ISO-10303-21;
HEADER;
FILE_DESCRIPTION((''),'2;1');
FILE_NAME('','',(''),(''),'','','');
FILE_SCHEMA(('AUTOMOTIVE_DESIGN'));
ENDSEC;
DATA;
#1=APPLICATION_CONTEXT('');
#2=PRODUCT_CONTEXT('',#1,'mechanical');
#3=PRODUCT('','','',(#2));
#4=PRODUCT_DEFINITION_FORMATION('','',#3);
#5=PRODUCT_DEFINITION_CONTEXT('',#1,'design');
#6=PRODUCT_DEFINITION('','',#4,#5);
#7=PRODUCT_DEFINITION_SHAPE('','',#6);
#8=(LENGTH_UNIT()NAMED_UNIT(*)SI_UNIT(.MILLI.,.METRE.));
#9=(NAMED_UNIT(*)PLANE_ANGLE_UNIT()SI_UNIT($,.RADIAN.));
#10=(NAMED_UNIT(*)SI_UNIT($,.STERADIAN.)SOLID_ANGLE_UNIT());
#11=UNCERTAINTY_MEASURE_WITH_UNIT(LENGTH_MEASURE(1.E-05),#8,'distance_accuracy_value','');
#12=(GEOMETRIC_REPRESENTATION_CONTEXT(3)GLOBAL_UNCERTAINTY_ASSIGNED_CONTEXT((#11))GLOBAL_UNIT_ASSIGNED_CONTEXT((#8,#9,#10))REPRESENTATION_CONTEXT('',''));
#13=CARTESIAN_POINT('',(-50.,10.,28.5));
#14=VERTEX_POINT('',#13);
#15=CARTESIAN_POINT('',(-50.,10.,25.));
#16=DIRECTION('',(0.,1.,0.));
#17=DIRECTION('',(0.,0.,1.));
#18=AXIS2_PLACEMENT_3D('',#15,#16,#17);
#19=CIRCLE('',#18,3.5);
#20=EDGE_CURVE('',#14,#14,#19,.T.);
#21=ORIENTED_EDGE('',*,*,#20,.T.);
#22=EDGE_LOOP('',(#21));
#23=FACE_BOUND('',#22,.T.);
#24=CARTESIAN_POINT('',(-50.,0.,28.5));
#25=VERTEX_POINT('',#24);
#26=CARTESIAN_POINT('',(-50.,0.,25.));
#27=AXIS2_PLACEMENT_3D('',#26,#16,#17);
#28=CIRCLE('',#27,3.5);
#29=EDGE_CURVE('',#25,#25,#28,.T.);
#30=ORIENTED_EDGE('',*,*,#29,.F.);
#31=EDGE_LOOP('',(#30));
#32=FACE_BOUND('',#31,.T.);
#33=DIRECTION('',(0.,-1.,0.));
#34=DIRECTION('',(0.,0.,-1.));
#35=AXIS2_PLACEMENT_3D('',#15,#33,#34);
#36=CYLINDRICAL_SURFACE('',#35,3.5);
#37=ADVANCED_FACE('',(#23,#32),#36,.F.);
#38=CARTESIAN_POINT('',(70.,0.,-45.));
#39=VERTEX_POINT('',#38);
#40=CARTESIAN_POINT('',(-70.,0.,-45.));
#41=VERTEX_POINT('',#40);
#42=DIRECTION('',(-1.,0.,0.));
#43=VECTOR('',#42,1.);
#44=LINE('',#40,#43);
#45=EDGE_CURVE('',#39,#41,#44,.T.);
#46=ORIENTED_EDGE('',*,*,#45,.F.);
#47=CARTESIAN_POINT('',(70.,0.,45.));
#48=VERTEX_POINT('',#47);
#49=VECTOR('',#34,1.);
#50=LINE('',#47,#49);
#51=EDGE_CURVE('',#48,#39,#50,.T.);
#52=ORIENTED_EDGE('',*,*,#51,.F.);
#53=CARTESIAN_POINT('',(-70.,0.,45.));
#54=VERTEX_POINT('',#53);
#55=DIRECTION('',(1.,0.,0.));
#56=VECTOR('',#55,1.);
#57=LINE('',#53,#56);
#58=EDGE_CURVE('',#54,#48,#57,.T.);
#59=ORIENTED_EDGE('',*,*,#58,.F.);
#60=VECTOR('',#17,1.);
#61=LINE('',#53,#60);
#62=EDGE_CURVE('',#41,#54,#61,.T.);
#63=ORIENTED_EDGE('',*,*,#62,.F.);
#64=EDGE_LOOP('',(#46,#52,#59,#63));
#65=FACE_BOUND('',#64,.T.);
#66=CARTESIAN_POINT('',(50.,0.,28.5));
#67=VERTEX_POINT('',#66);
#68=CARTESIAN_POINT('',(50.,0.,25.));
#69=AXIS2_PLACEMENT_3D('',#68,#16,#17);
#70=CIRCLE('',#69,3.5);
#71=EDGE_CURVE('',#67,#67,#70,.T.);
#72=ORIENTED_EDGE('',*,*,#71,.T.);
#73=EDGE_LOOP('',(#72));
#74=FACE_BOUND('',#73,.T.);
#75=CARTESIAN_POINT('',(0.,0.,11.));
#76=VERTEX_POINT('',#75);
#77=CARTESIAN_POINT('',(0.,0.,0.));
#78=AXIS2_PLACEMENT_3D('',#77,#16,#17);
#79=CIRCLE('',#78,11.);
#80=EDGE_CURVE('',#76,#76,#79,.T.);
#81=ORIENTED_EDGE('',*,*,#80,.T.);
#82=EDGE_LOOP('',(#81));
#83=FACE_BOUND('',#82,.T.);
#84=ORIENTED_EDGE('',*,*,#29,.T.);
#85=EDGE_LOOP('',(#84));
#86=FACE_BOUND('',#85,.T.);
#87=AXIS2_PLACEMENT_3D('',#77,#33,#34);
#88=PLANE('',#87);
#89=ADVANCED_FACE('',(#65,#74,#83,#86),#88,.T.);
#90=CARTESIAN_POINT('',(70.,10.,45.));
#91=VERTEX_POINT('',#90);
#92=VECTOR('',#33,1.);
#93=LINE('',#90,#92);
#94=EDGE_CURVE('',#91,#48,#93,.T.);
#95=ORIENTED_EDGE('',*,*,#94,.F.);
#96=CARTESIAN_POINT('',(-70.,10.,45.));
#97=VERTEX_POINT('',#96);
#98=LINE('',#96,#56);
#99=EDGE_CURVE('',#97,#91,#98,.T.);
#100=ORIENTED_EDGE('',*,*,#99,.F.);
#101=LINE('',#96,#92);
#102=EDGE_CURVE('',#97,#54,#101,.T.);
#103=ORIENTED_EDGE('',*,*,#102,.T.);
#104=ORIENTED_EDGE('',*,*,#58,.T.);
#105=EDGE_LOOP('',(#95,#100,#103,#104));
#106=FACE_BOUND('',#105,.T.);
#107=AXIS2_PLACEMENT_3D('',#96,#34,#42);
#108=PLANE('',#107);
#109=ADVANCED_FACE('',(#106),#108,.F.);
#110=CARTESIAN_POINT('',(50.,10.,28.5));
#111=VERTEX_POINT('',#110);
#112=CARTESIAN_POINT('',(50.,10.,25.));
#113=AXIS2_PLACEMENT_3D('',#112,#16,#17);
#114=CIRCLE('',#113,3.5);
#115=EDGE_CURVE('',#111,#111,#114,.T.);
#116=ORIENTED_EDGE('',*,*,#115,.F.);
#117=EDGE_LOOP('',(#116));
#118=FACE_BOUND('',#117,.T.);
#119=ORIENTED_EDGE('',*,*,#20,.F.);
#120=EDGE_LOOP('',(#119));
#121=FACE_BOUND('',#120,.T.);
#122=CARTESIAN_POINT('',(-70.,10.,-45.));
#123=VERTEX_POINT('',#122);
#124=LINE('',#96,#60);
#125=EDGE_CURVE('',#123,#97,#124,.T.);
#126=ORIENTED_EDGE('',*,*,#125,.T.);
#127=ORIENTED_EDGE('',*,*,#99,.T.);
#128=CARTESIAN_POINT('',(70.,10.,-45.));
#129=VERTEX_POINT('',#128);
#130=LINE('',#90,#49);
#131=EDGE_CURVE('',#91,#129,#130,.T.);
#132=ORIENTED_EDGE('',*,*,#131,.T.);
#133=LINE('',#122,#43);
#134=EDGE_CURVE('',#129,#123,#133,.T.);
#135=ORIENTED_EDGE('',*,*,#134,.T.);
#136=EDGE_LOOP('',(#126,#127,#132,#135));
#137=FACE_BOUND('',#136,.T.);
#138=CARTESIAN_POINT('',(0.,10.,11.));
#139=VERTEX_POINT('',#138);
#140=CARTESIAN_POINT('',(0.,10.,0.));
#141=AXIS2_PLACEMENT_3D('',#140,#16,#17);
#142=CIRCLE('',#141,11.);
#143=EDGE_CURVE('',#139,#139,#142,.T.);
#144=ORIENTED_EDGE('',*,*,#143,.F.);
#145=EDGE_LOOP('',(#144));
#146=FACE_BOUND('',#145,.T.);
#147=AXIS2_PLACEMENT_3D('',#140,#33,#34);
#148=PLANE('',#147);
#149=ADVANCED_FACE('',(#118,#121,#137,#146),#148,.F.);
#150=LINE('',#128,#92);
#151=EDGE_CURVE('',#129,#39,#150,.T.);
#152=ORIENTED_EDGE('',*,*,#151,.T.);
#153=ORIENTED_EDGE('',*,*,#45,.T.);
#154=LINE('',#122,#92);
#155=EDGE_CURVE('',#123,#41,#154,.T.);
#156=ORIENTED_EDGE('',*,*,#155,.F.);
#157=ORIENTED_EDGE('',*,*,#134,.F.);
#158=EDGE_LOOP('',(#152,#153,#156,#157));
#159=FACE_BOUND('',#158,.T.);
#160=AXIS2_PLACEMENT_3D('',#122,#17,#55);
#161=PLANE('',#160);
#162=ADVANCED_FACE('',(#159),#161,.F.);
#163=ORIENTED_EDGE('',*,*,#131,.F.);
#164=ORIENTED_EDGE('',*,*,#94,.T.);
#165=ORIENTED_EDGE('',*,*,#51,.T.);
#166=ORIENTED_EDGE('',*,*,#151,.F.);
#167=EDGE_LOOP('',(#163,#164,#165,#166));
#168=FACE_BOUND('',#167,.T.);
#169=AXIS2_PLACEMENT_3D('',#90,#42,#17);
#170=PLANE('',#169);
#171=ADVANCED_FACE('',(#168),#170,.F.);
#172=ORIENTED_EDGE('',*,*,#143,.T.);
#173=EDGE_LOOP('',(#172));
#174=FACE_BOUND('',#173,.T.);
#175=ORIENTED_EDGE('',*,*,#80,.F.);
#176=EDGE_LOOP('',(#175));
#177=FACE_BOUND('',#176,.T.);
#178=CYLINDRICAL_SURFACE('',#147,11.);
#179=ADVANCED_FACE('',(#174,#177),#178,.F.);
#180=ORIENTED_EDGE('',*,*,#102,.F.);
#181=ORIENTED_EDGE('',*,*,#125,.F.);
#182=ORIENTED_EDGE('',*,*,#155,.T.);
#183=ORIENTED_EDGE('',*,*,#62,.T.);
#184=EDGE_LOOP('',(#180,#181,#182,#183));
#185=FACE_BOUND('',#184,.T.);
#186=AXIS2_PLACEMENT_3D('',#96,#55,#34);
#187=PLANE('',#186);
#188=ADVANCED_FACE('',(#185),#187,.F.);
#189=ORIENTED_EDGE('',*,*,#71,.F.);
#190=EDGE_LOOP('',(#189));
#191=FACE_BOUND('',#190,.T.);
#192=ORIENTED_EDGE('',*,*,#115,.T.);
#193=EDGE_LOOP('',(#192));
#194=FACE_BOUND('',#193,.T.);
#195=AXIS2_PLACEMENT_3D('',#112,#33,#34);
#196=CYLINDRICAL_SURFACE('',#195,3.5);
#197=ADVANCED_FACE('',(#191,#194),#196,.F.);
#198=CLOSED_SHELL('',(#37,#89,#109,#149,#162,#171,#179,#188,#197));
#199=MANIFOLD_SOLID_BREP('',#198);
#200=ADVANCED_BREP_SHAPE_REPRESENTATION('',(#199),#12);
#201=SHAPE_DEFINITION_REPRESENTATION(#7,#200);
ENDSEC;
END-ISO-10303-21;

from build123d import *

# Parameters (mm, degrees)
SKETCH_1_W      = 140
SKETCH_1_H      = 90
SKETCH_1_R      = 11
SKETCH_1_R_2    = 3.5
EXTRUDE_1_DEPTH = 10


with BuildPart() as part:
    # 草图1 → 凸台-拉伸1 (new body)
    with BuildSketch(Plane(origin=(0, 0, 0), x_dir=(1, 0, 0), z_dir=(0, 1, 0))):
        Rectangle(SKETCH_1_W, SKETCH_1_H)
        with Locations(Location((0, 0, 0), (0, 0, 270))):
            Circle(SKETCH_1_R, mode=Mode.SUBTRACT)
        with Locations(Location((-50, -25, 0), (0, 0, 270))):
            Circle(SKETCH_1_R_2, mode=Mode.SUBTRACT)
        with Locations(Location((50, -25, 0), (0, 0, 270))):
            Circle(SKETCH_1_R_2, mode=Mode.SUBTRACT)
    extrude(amount=EXTRUDE_1_DEPTH)


solid = part.part
